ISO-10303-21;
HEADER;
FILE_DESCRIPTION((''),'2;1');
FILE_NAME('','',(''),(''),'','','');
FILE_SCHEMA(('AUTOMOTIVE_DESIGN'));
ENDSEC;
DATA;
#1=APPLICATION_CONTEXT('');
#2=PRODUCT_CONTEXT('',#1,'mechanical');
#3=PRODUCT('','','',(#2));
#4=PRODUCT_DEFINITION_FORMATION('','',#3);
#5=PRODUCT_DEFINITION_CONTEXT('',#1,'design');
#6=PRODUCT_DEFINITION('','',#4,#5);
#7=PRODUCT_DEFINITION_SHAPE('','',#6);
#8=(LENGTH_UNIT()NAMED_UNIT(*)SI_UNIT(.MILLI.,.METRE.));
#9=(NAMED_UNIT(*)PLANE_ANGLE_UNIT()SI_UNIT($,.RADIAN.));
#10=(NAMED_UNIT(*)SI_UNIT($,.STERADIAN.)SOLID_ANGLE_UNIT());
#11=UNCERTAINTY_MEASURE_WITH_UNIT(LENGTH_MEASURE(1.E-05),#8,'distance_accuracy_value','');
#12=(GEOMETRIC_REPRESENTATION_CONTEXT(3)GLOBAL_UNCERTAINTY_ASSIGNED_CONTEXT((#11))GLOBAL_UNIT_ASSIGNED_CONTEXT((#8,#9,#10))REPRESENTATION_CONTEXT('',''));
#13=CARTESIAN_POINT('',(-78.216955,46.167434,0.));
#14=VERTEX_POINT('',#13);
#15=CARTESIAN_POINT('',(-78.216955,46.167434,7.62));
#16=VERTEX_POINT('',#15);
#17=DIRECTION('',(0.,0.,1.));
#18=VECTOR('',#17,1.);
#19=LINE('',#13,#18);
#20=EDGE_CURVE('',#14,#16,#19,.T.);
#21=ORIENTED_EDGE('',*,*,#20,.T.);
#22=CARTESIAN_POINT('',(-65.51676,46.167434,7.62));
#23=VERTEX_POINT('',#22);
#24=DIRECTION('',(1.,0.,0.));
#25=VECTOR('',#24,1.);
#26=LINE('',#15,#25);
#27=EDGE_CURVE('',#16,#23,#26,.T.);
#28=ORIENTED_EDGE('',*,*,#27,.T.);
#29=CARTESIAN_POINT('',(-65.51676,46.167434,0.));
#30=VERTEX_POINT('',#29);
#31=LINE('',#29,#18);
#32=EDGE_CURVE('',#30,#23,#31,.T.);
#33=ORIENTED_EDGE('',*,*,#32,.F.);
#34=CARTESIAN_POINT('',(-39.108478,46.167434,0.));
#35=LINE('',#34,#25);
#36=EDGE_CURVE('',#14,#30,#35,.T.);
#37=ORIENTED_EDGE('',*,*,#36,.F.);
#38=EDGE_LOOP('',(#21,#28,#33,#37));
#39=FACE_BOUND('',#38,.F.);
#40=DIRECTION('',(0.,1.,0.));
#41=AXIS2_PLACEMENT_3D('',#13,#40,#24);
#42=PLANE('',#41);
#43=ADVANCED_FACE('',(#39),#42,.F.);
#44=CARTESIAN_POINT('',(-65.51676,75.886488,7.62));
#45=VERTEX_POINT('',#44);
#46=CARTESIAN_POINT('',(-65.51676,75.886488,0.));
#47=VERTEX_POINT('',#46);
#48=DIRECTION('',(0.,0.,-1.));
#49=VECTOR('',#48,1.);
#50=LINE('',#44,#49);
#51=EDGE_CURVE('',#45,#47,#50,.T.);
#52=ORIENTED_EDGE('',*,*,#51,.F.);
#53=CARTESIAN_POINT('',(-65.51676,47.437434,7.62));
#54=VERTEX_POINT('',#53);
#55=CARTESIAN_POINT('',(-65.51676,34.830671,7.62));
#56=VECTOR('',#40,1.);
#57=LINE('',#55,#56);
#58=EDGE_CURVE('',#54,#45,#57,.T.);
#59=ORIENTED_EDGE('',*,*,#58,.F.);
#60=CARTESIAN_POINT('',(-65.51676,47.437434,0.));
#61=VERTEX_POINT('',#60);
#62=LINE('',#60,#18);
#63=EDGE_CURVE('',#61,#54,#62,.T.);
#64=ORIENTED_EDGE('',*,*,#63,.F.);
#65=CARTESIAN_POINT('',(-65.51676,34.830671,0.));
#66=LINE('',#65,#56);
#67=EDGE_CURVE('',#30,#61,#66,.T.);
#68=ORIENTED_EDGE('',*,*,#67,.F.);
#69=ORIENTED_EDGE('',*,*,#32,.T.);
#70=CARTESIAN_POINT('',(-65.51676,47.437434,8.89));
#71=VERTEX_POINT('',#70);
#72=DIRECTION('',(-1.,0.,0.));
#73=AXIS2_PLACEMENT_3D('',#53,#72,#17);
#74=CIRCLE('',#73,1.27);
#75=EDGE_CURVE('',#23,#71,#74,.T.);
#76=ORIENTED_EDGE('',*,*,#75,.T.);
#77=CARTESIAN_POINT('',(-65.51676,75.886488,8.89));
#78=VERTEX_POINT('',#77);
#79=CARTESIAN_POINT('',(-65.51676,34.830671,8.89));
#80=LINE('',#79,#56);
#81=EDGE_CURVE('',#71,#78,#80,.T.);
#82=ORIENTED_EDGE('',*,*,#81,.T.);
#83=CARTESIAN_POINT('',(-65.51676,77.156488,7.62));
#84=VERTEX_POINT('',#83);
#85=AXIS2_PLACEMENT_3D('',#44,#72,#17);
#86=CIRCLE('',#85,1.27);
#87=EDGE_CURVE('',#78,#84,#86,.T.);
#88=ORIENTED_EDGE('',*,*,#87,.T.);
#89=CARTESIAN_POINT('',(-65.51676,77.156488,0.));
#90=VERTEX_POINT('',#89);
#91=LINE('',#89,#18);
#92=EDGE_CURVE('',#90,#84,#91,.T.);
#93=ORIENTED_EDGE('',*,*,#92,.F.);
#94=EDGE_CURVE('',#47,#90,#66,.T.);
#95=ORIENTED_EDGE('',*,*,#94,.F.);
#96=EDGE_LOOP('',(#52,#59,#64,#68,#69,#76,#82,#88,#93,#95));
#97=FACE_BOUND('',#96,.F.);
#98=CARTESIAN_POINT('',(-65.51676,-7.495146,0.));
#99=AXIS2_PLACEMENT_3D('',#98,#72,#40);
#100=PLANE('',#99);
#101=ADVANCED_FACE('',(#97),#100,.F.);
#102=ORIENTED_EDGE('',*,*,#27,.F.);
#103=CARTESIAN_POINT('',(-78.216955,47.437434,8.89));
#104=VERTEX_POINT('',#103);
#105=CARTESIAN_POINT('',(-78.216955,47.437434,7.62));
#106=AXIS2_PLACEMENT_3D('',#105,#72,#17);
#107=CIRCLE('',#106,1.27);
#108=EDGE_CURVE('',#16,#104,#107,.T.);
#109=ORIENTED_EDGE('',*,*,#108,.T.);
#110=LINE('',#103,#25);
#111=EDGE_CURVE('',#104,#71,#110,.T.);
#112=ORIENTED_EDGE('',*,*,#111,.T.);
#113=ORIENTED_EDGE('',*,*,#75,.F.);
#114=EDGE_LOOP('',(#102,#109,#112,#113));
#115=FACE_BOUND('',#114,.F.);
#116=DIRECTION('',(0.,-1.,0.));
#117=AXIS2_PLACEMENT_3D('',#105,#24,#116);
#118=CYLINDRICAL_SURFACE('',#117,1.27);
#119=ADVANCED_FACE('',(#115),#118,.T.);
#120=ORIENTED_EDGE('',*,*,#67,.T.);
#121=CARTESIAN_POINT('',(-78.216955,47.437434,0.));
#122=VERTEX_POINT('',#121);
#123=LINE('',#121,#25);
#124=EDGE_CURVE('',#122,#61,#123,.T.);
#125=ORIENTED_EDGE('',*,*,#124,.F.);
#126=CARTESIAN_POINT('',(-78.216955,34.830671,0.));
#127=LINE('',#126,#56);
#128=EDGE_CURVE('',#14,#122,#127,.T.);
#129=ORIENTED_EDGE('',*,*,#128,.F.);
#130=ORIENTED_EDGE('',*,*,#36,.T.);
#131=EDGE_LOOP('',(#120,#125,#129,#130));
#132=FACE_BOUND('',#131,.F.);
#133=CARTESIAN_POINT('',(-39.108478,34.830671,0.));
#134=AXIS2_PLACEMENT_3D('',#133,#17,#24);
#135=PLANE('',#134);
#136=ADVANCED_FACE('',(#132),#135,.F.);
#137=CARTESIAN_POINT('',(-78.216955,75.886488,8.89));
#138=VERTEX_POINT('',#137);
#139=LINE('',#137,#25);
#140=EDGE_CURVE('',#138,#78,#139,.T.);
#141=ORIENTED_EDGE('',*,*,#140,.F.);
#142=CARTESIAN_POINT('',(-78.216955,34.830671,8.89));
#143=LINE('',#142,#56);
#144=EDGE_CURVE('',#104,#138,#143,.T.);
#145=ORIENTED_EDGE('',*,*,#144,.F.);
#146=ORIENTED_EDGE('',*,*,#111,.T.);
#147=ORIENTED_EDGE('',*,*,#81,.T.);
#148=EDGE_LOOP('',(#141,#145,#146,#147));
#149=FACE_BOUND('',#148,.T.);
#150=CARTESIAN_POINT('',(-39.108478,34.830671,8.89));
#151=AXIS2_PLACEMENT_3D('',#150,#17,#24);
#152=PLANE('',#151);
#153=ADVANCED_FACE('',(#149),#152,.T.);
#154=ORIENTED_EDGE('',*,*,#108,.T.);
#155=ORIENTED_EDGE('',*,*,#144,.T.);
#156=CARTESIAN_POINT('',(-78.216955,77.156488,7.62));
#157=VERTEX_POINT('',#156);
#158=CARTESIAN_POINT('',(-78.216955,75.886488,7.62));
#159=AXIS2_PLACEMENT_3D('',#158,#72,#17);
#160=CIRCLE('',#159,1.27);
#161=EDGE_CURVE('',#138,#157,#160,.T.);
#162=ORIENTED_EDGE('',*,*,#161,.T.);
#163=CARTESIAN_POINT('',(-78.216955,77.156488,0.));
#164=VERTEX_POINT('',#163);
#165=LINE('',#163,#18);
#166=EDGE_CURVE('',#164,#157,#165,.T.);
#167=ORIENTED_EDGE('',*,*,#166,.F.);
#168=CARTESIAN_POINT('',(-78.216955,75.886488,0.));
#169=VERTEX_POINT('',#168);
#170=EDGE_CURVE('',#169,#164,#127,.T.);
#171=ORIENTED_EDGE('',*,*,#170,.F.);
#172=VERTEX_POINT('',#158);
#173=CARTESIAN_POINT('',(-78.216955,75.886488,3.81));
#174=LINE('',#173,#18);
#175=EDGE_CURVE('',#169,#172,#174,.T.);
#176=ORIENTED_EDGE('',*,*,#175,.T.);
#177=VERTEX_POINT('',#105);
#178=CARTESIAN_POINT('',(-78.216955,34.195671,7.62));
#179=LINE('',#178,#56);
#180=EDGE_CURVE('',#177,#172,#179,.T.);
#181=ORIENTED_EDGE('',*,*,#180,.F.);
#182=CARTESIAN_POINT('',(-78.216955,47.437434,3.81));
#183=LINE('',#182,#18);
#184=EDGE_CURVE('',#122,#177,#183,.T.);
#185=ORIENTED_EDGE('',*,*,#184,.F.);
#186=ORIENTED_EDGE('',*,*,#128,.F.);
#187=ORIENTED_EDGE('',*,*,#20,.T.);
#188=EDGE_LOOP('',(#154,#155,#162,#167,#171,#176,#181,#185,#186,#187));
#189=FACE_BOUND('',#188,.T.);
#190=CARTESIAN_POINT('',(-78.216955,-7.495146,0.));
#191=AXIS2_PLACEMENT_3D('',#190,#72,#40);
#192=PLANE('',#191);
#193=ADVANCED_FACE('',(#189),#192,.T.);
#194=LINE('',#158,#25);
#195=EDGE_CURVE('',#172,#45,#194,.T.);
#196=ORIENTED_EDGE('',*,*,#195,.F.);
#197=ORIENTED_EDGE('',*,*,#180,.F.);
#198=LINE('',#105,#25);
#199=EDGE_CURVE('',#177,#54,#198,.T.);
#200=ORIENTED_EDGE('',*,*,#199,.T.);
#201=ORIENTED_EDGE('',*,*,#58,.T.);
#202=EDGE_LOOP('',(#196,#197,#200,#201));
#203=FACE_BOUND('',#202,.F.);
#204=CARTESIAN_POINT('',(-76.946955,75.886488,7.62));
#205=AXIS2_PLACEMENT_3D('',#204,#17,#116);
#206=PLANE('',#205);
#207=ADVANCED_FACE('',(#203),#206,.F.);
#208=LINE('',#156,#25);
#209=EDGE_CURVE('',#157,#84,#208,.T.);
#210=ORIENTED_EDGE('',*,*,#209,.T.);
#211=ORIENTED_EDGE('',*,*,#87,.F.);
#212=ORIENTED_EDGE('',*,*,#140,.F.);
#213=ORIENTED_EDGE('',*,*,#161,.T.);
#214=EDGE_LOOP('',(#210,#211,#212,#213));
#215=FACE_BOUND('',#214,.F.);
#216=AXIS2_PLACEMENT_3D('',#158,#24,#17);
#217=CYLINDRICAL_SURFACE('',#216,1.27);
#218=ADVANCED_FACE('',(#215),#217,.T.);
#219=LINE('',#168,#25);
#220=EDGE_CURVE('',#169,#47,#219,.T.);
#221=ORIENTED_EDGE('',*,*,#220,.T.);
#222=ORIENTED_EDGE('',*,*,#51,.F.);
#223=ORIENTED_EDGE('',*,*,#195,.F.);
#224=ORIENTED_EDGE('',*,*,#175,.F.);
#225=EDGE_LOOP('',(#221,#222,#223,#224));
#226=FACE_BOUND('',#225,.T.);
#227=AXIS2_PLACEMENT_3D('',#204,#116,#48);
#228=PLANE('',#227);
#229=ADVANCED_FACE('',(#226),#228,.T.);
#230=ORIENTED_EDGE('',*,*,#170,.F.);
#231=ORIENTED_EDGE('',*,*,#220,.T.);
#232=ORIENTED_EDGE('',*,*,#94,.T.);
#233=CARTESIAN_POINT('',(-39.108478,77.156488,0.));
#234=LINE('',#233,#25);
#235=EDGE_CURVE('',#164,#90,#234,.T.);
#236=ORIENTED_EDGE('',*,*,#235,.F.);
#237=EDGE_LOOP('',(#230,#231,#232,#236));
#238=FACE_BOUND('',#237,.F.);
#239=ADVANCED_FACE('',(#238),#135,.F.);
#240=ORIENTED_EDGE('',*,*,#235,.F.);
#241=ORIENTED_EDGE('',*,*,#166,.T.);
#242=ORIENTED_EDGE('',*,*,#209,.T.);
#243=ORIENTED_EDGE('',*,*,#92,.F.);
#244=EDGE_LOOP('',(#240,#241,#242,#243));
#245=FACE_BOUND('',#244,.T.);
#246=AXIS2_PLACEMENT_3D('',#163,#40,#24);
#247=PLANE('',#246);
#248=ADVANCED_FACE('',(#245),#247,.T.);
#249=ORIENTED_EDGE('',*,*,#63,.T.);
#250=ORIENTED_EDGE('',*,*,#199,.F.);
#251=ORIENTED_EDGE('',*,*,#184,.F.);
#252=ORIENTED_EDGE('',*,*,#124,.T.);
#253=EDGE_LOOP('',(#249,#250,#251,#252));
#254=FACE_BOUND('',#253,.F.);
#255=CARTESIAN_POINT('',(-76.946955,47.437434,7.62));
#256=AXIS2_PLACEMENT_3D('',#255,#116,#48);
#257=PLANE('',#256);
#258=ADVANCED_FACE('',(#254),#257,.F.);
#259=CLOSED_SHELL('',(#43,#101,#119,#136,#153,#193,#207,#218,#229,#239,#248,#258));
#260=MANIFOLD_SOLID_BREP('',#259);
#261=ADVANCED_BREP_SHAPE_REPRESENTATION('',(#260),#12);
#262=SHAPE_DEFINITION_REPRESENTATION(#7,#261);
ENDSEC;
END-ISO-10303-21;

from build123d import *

# Parameters (mm, degrees)
F0_W     = 78.2169550657
F0_H     = 84.6516340971
F1_DEPTH = 8.89
F2_DEPTH = 53.66258
F3_DEPTH = 65.51676
F4_T     = -1.27
F5_DEPTH = 25.4
F6_DEPTH = 25.4
F7_R     = 1.27


with BuildPart() as f1:
    # F0 (on Top) → F1 (new body)
    with BuildSketch(Plane.XY):
        with Locations((-39.1084775329, 34.8306708038)):
            Rectangle(F0_W, F0_H)
    extrude(amount=F1_DEPTH)

    # F2 (cut): a face of the model
    f2_faces = [f1.faces().sort_by_distance(p)[0] for p in [
        (-39.1084775329, -7.4951462448, 4.445),
    ]]
    extrude(f2_faces, amount=-F2_DEPTH, mode=Mode.SUBTRACT)

    # F3 (cut): a face of the model
    f3_faces = [f1.faces().sort_by_distance(p)[0] for p in [
        (0, 61.6619608038, 4.445),
    ]]
    extrude(f3_faces, amount=-F3_DEPTH, mode=Mode.SUBTRACT)

    # F4
    f4_openings = [f1.faces().sort_by_distance(p)[0] for p in [
        (-65.51676, 61.661961, 4.445),
    ]]
    offset(amount=F4_T, openings=f4_openings)

    # F5 (cut): a face of the model
    f5_faces = [f1.faces().sort_by_distance(p)[0] for p in [
        (-71.2318575329, 61.6619608038, 1.27),
    ]]
    extrude(f5_faces, amount=-F5_DEPTH, mode=Mode.SUBTRACT)

    # F6 (cut): a face of the model
    f6_faces = [f1.faces().sort_by_distance(p)[0] for p in [
        (-76.9469550657, 61.6619608038, 3.81),
    ]]
    extrude(f6_faces, amount=-F6_DEPTH, mode=Mode.SUBTRACT)

    # F7
    f7_edges = [f1.edges().sort_by_distance(p)[0] for p in [
        (-71.866858, 46.167434, 8.89),
        (-71.866858, 77.156488, 8.89),
    ]]
    fillet(f7_edges, radius=F7_R)


solid = f1.part
